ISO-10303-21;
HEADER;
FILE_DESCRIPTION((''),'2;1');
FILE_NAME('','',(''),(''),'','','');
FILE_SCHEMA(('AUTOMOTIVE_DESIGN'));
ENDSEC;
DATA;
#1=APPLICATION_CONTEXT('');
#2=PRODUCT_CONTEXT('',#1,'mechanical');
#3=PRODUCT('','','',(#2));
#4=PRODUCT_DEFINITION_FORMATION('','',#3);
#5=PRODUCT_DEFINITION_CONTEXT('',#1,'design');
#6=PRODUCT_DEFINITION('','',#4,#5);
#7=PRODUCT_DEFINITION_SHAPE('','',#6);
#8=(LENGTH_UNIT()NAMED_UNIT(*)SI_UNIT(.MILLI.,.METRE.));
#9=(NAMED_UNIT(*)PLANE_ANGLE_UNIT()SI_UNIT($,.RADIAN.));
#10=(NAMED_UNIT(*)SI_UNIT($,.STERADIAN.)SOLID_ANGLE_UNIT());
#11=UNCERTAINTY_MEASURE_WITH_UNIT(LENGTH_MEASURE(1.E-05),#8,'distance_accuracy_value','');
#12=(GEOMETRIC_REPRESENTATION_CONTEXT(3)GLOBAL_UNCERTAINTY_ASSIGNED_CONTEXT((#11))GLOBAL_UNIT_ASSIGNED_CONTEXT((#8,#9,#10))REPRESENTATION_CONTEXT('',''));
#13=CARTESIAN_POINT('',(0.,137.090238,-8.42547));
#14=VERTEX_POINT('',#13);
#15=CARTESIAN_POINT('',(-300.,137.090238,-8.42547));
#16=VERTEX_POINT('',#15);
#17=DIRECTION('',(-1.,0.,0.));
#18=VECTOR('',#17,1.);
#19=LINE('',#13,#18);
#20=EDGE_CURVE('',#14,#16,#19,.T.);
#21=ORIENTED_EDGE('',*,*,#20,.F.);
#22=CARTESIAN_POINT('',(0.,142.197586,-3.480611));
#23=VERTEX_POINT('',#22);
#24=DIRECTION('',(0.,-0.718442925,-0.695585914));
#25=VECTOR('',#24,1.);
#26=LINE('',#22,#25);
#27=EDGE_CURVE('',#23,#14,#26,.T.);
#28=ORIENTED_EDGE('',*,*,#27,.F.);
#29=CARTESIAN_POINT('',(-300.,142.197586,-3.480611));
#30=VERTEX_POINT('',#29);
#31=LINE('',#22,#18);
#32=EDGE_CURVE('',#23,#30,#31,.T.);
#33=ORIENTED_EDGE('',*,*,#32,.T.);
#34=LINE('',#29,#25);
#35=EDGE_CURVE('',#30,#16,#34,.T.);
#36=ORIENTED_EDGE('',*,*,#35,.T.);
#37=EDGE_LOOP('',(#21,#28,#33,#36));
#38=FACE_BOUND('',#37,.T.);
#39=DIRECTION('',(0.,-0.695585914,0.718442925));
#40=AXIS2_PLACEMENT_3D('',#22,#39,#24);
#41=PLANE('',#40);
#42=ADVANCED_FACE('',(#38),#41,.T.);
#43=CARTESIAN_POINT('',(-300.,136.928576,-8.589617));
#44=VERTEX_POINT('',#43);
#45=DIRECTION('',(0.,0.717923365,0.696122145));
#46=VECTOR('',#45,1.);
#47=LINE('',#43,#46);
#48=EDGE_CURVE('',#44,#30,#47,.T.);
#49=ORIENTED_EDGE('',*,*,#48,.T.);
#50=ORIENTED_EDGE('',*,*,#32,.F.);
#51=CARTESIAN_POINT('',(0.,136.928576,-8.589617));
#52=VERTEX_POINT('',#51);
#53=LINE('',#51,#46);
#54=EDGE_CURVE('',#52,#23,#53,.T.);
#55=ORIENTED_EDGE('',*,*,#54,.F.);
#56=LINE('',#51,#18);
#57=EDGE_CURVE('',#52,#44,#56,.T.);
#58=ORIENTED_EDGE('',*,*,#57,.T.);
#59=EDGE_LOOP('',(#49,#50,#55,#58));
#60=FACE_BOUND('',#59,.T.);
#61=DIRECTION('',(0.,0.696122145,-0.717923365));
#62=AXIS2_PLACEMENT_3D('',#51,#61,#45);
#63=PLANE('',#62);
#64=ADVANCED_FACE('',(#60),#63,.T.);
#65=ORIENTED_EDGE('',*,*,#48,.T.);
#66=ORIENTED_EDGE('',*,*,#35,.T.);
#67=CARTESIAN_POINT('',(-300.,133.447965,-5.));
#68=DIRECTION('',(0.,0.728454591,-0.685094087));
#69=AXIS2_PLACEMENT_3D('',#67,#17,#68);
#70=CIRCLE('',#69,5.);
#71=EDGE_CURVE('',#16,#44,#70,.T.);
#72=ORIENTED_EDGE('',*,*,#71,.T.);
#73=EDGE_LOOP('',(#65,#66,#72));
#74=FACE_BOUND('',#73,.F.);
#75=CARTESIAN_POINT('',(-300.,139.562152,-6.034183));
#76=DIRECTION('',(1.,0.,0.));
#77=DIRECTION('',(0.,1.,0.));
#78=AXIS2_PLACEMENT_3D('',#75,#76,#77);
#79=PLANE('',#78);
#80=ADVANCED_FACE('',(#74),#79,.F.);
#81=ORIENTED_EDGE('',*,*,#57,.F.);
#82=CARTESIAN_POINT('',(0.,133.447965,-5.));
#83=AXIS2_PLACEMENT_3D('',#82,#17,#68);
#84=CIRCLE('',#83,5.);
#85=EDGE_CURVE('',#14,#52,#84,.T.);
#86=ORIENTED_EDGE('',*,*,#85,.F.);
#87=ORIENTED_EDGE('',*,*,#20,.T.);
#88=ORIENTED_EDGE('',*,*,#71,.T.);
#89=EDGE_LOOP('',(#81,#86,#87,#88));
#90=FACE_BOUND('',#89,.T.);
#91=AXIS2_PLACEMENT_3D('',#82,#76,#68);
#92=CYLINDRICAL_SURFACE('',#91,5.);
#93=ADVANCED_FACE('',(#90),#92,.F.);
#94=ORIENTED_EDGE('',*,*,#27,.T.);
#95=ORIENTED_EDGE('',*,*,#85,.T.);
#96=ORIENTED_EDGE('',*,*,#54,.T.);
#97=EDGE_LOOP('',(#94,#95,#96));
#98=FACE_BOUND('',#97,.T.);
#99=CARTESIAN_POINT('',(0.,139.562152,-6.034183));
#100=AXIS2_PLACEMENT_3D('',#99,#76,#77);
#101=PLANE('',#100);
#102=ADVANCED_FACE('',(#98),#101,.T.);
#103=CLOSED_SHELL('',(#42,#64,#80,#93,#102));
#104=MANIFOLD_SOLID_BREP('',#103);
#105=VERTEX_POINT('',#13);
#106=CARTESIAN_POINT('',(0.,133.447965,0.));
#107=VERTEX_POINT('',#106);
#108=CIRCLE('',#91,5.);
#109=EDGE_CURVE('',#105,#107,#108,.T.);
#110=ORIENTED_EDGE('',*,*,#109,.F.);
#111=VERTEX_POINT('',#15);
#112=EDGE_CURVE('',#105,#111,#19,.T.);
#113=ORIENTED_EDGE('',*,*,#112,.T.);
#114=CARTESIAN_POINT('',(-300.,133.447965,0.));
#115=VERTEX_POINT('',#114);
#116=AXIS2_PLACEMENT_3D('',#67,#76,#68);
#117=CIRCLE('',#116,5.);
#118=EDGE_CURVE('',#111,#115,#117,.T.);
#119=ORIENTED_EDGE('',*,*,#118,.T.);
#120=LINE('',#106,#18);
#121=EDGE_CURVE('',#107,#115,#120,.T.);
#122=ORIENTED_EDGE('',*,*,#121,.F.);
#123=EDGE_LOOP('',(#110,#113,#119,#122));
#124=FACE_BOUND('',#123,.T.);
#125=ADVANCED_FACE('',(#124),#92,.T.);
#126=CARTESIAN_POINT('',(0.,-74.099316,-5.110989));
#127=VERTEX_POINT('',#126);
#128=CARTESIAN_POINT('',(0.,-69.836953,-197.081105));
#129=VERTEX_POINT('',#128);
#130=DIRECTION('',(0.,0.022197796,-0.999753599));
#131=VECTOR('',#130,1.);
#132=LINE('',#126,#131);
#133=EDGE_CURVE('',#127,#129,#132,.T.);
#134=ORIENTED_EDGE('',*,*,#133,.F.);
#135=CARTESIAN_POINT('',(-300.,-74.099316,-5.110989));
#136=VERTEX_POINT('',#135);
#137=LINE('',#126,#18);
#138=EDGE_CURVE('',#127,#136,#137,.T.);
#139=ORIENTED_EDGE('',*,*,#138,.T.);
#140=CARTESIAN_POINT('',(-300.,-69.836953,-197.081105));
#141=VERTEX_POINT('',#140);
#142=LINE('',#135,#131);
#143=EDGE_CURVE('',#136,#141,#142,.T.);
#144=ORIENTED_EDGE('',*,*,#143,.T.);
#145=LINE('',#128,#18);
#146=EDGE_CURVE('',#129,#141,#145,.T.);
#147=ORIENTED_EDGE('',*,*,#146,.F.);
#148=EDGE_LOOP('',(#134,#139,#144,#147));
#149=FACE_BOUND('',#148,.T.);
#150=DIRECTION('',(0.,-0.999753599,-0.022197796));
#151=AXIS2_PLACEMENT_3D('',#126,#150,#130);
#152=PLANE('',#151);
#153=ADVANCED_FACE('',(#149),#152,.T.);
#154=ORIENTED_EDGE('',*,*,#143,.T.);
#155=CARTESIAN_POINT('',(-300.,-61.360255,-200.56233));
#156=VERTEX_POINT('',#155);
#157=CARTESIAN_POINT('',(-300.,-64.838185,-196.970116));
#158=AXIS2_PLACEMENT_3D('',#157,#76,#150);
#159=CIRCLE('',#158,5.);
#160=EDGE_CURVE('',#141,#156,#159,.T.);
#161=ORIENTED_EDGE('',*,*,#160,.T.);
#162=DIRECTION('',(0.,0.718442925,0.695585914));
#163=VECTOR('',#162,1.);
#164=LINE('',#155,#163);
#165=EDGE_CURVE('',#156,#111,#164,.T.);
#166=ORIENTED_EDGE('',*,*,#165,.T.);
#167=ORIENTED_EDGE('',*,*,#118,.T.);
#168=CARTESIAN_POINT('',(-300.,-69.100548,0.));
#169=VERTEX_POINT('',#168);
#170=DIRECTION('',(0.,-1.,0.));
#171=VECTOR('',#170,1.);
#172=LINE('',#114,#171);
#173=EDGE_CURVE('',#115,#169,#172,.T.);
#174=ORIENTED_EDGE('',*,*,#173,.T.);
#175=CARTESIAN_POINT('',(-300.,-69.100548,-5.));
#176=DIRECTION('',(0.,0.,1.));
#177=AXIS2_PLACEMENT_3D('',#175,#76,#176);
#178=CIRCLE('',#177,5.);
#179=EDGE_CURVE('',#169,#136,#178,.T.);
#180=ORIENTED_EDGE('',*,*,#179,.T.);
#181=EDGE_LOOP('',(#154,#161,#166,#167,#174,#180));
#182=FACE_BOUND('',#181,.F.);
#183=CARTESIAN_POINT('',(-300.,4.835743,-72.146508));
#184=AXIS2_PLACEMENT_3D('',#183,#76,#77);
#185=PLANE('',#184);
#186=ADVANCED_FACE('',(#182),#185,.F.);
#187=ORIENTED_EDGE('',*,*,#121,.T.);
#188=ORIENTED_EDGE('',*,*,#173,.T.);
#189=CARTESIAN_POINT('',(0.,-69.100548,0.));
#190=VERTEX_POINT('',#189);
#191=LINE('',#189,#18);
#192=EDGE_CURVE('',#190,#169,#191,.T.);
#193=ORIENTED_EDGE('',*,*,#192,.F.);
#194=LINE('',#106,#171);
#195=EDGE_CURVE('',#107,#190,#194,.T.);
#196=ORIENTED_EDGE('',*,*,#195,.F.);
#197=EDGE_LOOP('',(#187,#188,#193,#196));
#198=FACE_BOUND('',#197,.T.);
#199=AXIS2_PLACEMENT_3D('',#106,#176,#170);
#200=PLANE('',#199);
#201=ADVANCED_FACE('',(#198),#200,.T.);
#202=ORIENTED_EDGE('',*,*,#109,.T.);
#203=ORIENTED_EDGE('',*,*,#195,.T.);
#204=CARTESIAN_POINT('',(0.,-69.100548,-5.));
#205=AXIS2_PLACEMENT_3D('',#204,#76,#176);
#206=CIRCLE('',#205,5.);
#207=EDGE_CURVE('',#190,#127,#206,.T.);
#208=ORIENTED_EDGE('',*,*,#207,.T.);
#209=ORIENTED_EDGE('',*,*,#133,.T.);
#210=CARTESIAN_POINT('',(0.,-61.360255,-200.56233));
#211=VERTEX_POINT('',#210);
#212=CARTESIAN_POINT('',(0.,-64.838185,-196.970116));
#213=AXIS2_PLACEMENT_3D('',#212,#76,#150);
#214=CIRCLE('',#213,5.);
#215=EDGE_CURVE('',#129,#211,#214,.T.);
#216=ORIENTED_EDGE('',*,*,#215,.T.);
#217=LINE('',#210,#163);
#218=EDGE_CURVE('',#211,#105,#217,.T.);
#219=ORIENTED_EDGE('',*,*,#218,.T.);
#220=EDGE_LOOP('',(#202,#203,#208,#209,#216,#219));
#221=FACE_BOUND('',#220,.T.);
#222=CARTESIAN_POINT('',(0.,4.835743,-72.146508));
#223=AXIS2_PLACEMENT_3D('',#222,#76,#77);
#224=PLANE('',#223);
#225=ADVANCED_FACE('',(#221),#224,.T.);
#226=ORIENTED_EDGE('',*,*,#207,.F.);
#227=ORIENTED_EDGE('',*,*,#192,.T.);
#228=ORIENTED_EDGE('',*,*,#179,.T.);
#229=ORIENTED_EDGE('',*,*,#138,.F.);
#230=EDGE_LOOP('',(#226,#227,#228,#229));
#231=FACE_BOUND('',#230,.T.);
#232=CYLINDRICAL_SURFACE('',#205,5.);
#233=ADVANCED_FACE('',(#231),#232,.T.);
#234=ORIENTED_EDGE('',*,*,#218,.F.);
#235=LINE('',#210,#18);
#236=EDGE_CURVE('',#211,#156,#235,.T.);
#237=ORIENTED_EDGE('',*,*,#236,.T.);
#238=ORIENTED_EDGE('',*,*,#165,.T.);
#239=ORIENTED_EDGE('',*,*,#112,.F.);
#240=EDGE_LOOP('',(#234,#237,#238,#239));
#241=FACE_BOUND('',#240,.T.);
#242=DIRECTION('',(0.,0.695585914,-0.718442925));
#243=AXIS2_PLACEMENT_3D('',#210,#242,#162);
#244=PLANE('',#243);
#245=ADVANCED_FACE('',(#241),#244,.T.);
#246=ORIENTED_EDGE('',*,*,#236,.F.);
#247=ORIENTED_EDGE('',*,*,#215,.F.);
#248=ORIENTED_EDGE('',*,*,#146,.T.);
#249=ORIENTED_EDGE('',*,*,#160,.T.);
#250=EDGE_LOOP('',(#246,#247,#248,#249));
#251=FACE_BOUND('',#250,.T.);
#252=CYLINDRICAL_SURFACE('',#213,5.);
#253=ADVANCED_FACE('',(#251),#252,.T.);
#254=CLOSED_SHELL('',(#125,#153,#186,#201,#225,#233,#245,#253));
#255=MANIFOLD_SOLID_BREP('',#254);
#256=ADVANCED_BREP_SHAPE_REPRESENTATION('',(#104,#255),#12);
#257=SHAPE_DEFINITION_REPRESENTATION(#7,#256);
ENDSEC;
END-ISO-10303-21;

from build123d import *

# Parameters (mm, degrees)
F1_DEPTH = 300


with BuildPart() as f1:
    # F0 (on Right) → F1 (new body)
    with BuildSketch(Plane.YZ):
        with BuildLine():
            Line((142.1975861865, -3.4806107269), (137.0902379725, -8.4254704364))
            ThreePointArc((137.0902379725, -8.4254704364), (137.0103524179, -8.5084748822), (136.928575743, -8.5896168274))
            Line((136.928575743, -8.5896168274), (142.1975861865, -3.4806107269))
        make_face()
    extrude(amount=-F1_DEPTH)


with BuildPart() as f1b:
    # F0 (on Right) → F1, piece 2 (new body)
    with BuildSketch(Plane.YZ):
        with BuildLine():
            Line((133.4479650161, 0), (-69.100548343, 0))
            ThreePointArc((-69.100548343, 0), (-72.6751073989, -1.5039268378), (-74.0993163359, -5.1109889778))
            Line((-74.0993163359, -5.1109889778), (-69.8369527047, -197.0811045894))
            ThreePointArc((-69.8369527047, -197.0811045894), (-66.7376505265, -201.5952674599), (-61.3602551433, -200.5623302373))
            Line((-61.3602551433, -200.5623302373), (137.0902379725, -8.4254704364))
            ThreePointArc((137.0902379725, -8.4254704364), (138.0374830835, -3.0159828859), (133.4479650161, 0))
        make_face()
    extrude(amount=-F1_DEPTH)


solid = Compound([f1.part, f1b.part])
